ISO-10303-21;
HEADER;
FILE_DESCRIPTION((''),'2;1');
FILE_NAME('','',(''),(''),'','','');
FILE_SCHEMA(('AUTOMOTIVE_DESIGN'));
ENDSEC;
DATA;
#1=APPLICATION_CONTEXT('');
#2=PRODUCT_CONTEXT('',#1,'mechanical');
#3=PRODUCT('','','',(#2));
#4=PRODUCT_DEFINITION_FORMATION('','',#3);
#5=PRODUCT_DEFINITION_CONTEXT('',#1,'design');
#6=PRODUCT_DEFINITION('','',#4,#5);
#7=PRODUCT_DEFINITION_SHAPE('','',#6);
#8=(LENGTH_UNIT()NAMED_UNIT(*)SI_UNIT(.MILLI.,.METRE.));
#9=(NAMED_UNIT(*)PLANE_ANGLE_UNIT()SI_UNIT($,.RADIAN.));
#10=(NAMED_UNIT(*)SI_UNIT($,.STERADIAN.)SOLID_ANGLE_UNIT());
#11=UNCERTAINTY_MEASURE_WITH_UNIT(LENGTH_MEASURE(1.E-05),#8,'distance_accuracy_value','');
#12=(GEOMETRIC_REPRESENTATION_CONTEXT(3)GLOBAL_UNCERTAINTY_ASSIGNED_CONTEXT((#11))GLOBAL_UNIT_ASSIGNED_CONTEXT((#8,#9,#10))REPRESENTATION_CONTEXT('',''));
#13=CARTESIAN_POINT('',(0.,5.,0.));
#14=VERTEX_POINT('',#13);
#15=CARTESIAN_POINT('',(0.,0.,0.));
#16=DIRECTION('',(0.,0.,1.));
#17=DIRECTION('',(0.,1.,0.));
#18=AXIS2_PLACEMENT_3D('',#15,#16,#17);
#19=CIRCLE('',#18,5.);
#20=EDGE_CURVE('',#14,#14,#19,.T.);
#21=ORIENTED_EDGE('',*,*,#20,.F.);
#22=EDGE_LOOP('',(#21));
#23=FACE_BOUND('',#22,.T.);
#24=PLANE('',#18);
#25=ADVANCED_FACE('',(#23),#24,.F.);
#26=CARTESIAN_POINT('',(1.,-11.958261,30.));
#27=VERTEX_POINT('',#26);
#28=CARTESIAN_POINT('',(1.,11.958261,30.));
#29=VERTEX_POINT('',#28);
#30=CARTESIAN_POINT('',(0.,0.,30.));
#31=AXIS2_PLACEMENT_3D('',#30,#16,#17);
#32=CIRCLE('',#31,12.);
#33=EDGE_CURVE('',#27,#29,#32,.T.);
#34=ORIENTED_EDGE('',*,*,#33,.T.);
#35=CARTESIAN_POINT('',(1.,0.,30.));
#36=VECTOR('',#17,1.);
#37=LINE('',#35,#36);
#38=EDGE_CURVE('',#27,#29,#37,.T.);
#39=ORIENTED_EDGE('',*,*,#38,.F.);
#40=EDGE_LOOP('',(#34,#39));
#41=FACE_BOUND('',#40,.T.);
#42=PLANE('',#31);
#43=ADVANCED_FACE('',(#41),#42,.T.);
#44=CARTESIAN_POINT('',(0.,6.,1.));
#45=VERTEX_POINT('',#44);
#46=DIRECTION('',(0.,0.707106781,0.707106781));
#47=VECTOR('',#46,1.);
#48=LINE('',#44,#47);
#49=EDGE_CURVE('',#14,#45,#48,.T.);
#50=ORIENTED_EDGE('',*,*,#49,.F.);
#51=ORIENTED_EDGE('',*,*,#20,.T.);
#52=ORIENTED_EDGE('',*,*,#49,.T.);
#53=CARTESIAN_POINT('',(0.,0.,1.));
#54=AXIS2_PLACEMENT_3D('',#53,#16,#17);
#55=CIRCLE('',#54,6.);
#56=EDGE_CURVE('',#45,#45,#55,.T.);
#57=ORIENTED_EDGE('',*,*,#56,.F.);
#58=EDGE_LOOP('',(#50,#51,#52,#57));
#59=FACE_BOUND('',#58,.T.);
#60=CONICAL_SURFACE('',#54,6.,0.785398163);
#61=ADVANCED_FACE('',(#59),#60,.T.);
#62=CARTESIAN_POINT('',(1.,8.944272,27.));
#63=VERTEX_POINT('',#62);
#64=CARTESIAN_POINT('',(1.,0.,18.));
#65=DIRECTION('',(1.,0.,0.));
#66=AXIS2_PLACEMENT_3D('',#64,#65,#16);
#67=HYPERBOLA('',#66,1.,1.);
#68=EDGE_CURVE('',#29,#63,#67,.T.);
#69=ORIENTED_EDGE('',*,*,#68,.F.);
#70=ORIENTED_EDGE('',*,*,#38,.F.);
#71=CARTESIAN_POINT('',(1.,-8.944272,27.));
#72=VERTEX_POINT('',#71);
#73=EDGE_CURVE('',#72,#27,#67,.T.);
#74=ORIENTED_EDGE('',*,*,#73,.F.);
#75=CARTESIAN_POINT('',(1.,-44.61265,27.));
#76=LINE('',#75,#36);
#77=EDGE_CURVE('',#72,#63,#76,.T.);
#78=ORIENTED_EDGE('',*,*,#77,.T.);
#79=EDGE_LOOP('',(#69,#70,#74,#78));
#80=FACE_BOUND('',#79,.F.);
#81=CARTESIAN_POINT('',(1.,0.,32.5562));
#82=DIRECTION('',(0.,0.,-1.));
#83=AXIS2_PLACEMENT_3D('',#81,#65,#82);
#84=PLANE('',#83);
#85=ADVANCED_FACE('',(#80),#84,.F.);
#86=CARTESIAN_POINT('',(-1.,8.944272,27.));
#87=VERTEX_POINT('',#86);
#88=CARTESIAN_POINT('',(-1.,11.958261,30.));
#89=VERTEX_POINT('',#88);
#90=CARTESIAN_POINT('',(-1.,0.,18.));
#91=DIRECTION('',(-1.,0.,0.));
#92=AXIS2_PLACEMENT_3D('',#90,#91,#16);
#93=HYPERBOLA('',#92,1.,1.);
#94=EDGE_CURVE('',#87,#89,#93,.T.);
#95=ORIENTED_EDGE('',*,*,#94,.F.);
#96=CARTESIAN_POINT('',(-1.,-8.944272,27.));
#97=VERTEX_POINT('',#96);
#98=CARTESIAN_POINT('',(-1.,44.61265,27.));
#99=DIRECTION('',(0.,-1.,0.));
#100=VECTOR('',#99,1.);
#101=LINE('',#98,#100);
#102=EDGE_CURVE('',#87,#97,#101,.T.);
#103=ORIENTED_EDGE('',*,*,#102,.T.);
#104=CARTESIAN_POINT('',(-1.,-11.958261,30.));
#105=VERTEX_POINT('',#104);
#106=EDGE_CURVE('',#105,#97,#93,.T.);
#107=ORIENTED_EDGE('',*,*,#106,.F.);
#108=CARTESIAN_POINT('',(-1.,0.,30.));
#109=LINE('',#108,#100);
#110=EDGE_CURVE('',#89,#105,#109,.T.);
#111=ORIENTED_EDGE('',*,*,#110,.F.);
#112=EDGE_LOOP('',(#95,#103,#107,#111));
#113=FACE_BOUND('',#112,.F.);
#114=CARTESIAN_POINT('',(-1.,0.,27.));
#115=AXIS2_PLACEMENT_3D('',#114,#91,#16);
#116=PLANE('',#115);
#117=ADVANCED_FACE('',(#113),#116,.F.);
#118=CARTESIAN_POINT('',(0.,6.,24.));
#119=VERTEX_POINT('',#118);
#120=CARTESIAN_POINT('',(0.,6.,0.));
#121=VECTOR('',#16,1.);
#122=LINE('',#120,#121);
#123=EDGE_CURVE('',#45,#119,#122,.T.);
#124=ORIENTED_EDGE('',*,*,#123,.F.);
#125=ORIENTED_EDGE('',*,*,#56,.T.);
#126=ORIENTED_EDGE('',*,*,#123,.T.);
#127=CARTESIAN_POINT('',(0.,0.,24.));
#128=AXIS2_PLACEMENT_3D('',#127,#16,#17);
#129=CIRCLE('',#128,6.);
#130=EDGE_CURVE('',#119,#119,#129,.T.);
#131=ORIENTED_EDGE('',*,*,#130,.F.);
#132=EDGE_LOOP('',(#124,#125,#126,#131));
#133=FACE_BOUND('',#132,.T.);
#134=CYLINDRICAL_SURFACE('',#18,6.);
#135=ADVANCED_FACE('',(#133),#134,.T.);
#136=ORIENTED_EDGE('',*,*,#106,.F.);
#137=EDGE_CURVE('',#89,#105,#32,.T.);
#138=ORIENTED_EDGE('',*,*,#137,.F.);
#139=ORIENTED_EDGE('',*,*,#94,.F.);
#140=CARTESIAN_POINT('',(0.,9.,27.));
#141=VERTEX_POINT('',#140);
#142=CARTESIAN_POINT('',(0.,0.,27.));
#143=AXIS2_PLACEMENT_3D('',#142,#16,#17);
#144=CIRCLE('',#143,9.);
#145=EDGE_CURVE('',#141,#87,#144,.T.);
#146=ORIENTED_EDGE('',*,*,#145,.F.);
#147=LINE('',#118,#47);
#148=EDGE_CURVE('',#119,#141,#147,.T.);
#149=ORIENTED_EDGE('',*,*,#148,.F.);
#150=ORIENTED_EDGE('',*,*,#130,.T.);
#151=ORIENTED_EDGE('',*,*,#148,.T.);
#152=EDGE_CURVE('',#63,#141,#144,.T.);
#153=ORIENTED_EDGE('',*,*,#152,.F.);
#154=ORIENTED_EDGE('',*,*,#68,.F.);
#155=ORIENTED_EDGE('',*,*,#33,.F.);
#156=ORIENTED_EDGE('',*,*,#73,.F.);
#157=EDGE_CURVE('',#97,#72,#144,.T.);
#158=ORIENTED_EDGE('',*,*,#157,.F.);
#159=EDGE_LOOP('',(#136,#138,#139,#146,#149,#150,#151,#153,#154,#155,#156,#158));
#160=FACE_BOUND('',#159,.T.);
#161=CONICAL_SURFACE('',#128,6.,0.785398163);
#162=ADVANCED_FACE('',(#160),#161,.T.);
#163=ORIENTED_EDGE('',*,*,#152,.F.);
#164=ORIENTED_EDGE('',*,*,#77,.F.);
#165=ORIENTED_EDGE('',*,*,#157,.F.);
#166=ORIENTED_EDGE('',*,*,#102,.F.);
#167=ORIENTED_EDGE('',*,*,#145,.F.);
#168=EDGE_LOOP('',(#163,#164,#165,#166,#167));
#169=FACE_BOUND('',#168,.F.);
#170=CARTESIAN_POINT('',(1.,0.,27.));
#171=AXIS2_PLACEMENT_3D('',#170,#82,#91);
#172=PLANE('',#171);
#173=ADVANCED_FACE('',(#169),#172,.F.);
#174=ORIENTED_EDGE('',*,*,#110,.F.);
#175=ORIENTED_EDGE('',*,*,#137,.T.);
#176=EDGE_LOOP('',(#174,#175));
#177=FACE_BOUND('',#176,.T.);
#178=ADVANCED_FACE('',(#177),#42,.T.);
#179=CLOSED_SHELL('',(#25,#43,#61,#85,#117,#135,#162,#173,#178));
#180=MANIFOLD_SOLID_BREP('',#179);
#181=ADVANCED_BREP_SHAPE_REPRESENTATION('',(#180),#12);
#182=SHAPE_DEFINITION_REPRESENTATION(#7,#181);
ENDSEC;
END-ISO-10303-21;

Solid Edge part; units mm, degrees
sketch "Sketch1" plane through (0, 0, 0) normal (1, 0, 0) x (0, 1, 0)
  line L0 (0, 0) -> (6, 0)
  line L1 (6, 0) -> (6, 24)
  line L2 (6, 24) -> (12, 30)
  line L3 (12, 30) -> (0, 30)
  line L4 (0, 30) -> (0, 0)
  dimension "D1" = 6
  dimension "D2" = 12
  dimension "D3" = 30
  dimension "D4" = 24
revolve "RevolvedProtrusion1" add sketch "Sketch1" angle 360 about axis through (0, 0, -57) along (0, 0, 1)
sketch "Sketch2" plane through (0, 0, 0) normal (0, -1, 0) x (1, 0, 0)
  line L0 (-1, 32.5562) -> (1, 32.5562)
  line L1 (1, 32.5562) -> (1, 27)
  line L2 (1, 27) -> (-1, 27)
  line L3 (-1, 27) -> (-1, 32.5562)
  dimension "D1" = 2
  dimension "D2" = 3
extrude "Cutout1" cut sketch "Sketch2" along normal mid plane 89.2253
cosmetic_thread "Thread1" size "Tr 12 x 3"
chamfer "Chamfer_3" distance 1 angle 45 1 edges at (-6, 0, 0)
properties part number "6" material "Fe - 410 W"
